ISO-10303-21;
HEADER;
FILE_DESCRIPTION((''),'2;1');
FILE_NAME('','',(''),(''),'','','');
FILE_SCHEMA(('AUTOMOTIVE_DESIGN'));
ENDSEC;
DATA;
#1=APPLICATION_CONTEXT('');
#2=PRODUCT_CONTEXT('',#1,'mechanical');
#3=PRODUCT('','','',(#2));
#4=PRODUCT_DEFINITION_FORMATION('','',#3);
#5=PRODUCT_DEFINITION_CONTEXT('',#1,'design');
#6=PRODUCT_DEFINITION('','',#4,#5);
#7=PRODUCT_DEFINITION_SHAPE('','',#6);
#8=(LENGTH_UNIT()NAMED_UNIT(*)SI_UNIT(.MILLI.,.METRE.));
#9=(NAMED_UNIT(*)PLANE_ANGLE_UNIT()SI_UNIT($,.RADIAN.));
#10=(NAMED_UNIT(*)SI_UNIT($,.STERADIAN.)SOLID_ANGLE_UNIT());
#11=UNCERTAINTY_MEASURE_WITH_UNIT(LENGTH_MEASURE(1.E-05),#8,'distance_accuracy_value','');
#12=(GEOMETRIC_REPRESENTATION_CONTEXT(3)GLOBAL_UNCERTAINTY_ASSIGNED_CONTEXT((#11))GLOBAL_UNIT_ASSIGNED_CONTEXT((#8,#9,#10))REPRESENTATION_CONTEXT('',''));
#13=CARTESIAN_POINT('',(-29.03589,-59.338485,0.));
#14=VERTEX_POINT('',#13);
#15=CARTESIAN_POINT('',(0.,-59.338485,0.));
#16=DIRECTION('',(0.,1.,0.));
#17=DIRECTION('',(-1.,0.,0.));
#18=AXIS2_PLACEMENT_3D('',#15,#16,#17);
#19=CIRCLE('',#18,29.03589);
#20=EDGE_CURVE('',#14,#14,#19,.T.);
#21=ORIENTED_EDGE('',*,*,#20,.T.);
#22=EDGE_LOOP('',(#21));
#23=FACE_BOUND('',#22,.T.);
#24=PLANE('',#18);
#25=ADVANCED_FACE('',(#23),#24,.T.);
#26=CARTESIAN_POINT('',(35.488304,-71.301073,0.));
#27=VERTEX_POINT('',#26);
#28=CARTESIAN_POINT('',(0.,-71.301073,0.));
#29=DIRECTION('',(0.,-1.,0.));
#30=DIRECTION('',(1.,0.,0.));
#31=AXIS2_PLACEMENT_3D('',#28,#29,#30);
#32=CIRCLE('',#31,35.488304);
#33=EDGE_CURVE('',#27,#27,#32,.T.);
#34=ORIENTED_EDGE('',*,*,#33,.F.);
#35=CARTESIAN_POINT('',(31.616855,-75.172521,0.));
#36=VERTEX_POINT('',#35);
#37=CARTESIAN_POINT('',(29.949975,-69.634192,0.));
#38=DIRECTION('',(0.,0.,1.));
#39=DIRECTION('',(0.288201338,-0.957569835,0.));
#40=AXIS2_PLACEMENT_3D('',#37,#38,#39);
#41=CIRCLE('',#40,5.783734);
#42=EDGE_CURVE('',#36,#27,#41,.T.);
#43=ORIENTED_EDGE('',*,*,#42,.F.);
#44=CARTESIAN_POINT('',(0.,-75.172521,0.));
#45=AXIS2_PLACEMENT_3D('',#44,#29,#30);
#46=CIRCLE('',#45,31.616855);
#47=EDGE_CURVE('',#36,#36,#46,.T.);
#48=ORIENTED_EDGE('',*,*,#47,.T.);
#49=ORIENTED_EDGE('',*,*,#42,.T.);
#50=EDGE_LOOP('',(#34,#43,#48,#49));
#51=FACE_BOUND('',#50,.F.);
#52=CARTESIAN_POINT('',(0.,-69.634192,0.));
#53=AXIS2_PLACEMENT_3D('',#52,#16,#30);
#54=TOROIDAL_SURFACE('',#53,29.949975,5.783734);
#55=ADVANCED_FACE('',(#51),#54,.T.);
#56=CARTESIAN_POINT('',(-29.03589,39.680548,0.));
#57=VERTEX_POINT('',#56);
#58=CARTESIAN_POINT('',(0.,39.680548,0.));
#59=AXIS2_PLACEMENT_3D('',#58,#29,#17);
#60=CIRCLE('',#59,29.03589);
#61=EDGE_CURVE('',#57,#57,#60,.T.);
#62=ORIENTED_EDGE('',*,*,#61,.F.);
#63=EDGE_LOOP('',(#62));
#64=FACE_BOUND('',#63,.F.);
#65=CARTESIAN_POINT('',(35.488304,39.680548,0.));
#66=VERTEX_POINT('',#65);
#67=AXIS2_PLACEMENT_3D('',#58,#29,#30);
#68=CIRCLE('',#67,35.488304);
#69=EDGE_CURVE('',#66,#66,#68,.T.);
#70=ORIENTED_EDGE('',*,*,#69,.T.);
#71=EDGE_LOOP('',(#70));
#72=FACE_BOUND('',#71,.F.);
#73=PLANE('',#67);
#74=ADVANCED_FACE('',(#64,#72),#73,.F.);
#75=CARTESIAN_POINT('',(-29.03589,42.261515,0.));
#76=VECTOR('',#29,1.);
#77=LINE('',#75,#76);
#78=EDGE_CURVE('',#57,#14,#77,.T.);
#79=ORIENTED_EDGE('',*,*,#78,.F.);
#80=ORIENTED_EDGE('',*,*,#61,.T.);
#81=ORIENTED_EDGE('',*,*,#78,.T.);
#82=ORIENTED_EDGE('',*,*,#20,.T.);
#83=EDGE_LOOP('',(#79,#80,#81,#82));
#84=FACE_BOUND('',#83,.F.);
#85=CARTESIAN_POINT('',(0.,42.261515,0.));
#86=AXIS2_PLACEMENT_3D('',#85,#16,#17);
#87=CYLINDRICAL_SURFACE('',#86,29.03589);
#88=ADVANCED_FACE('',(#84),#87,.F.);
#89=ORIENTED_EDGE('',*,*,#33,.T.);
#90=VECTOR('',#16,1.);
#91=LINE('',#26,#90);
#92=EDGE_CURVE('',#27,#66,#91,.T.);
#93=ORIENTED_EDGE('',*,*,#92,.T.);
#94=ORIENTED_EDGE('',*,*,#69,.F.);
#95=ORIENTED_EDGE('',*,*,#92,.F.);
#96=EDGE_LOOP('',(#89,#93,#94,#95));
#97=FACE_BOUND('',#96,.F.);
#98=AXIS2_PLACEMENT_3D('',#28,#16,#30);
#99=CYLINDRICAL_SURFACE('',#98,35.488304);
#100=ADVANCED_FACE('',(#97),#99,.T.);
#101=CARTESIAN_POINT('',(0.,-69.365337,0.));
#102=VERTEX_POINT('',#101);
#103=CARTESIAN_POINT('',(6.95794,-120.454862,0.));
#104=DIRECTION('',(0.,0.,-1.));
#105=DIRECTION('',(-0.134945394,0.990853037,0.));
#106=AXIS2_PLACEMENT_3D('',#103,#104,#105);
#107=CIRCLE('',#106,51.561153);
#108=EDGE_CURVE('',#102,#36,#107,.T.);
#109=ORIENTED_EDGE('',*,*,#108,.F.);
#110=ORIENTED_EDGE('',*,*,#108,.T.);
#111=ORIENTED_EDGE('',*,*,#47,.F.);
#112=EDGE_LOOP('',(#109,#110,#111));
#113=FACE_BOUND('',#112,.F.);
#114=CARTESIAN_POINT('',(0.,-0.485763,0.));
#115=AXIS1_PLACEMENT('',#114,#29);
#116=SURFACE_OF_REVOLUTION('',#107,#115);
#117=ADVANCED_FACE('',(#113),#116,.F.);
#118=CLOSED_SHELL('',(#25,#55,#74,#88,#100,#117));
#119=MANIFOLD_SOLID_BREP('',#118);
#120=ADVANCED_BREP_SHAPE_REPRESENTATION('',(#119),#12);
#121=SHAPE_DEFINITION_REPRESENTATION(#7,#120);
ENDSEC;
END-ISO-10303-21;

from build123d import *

# Parameters (mm, degrees)
F1_FACE_R = 29.03589
F2_DEPTH  = 101.6


with BuildPart() as f1:
    # F0 (on Top) → F1 (revolve)
    with BuildSketch(Plane.XY):
        with BuildLine():
            Line((0, 42.261515), (0, 37.099577))
            ThreePointArc((0, 37.099577), (17.996524, 34.919946), (35.488304, 39.680548))
            Line((35.488304, 39.680548), (29.03589, 39.680548))
            Line((29.03589, 39.680548), (29.03589, 42.261515))
            Line((29.03589, 42.261515), (0, 42.261515))
        make_face()
        with BuildLine():
            ThreePointArc((0, -69.365337), (16.272551, -69.742038), (31.616855, -75.172521))
            ThreePointArc((31.616855, -75.172521), (34.039692, -73.72391), (35.488304, -71.301073))
            Line((35.488304, -71.301073), (35.488304, 39.680548))
            ThreePointArc((35.488304, 39.680548), (17.996524, 34.919946), (0, 37.099577))
            Line((0, 37.099577), (0, -69.365337))
        make_face()
    revolve(axis=Axis((0, -0.485763, 0), (0, -1, 0)))

    # F1_face (on face) → F2 (cut)
    with BuildSketch(Plane(origin=(0, 42.261515, 0), x_dir=(-1, 0, 0), z_dir=(0, 1, 0))):
        Circle(F1_FACE_R)
    extrude(amount=-F2_DEPTH, mode=Mode.SUBTRACT)


solid = f1.part
